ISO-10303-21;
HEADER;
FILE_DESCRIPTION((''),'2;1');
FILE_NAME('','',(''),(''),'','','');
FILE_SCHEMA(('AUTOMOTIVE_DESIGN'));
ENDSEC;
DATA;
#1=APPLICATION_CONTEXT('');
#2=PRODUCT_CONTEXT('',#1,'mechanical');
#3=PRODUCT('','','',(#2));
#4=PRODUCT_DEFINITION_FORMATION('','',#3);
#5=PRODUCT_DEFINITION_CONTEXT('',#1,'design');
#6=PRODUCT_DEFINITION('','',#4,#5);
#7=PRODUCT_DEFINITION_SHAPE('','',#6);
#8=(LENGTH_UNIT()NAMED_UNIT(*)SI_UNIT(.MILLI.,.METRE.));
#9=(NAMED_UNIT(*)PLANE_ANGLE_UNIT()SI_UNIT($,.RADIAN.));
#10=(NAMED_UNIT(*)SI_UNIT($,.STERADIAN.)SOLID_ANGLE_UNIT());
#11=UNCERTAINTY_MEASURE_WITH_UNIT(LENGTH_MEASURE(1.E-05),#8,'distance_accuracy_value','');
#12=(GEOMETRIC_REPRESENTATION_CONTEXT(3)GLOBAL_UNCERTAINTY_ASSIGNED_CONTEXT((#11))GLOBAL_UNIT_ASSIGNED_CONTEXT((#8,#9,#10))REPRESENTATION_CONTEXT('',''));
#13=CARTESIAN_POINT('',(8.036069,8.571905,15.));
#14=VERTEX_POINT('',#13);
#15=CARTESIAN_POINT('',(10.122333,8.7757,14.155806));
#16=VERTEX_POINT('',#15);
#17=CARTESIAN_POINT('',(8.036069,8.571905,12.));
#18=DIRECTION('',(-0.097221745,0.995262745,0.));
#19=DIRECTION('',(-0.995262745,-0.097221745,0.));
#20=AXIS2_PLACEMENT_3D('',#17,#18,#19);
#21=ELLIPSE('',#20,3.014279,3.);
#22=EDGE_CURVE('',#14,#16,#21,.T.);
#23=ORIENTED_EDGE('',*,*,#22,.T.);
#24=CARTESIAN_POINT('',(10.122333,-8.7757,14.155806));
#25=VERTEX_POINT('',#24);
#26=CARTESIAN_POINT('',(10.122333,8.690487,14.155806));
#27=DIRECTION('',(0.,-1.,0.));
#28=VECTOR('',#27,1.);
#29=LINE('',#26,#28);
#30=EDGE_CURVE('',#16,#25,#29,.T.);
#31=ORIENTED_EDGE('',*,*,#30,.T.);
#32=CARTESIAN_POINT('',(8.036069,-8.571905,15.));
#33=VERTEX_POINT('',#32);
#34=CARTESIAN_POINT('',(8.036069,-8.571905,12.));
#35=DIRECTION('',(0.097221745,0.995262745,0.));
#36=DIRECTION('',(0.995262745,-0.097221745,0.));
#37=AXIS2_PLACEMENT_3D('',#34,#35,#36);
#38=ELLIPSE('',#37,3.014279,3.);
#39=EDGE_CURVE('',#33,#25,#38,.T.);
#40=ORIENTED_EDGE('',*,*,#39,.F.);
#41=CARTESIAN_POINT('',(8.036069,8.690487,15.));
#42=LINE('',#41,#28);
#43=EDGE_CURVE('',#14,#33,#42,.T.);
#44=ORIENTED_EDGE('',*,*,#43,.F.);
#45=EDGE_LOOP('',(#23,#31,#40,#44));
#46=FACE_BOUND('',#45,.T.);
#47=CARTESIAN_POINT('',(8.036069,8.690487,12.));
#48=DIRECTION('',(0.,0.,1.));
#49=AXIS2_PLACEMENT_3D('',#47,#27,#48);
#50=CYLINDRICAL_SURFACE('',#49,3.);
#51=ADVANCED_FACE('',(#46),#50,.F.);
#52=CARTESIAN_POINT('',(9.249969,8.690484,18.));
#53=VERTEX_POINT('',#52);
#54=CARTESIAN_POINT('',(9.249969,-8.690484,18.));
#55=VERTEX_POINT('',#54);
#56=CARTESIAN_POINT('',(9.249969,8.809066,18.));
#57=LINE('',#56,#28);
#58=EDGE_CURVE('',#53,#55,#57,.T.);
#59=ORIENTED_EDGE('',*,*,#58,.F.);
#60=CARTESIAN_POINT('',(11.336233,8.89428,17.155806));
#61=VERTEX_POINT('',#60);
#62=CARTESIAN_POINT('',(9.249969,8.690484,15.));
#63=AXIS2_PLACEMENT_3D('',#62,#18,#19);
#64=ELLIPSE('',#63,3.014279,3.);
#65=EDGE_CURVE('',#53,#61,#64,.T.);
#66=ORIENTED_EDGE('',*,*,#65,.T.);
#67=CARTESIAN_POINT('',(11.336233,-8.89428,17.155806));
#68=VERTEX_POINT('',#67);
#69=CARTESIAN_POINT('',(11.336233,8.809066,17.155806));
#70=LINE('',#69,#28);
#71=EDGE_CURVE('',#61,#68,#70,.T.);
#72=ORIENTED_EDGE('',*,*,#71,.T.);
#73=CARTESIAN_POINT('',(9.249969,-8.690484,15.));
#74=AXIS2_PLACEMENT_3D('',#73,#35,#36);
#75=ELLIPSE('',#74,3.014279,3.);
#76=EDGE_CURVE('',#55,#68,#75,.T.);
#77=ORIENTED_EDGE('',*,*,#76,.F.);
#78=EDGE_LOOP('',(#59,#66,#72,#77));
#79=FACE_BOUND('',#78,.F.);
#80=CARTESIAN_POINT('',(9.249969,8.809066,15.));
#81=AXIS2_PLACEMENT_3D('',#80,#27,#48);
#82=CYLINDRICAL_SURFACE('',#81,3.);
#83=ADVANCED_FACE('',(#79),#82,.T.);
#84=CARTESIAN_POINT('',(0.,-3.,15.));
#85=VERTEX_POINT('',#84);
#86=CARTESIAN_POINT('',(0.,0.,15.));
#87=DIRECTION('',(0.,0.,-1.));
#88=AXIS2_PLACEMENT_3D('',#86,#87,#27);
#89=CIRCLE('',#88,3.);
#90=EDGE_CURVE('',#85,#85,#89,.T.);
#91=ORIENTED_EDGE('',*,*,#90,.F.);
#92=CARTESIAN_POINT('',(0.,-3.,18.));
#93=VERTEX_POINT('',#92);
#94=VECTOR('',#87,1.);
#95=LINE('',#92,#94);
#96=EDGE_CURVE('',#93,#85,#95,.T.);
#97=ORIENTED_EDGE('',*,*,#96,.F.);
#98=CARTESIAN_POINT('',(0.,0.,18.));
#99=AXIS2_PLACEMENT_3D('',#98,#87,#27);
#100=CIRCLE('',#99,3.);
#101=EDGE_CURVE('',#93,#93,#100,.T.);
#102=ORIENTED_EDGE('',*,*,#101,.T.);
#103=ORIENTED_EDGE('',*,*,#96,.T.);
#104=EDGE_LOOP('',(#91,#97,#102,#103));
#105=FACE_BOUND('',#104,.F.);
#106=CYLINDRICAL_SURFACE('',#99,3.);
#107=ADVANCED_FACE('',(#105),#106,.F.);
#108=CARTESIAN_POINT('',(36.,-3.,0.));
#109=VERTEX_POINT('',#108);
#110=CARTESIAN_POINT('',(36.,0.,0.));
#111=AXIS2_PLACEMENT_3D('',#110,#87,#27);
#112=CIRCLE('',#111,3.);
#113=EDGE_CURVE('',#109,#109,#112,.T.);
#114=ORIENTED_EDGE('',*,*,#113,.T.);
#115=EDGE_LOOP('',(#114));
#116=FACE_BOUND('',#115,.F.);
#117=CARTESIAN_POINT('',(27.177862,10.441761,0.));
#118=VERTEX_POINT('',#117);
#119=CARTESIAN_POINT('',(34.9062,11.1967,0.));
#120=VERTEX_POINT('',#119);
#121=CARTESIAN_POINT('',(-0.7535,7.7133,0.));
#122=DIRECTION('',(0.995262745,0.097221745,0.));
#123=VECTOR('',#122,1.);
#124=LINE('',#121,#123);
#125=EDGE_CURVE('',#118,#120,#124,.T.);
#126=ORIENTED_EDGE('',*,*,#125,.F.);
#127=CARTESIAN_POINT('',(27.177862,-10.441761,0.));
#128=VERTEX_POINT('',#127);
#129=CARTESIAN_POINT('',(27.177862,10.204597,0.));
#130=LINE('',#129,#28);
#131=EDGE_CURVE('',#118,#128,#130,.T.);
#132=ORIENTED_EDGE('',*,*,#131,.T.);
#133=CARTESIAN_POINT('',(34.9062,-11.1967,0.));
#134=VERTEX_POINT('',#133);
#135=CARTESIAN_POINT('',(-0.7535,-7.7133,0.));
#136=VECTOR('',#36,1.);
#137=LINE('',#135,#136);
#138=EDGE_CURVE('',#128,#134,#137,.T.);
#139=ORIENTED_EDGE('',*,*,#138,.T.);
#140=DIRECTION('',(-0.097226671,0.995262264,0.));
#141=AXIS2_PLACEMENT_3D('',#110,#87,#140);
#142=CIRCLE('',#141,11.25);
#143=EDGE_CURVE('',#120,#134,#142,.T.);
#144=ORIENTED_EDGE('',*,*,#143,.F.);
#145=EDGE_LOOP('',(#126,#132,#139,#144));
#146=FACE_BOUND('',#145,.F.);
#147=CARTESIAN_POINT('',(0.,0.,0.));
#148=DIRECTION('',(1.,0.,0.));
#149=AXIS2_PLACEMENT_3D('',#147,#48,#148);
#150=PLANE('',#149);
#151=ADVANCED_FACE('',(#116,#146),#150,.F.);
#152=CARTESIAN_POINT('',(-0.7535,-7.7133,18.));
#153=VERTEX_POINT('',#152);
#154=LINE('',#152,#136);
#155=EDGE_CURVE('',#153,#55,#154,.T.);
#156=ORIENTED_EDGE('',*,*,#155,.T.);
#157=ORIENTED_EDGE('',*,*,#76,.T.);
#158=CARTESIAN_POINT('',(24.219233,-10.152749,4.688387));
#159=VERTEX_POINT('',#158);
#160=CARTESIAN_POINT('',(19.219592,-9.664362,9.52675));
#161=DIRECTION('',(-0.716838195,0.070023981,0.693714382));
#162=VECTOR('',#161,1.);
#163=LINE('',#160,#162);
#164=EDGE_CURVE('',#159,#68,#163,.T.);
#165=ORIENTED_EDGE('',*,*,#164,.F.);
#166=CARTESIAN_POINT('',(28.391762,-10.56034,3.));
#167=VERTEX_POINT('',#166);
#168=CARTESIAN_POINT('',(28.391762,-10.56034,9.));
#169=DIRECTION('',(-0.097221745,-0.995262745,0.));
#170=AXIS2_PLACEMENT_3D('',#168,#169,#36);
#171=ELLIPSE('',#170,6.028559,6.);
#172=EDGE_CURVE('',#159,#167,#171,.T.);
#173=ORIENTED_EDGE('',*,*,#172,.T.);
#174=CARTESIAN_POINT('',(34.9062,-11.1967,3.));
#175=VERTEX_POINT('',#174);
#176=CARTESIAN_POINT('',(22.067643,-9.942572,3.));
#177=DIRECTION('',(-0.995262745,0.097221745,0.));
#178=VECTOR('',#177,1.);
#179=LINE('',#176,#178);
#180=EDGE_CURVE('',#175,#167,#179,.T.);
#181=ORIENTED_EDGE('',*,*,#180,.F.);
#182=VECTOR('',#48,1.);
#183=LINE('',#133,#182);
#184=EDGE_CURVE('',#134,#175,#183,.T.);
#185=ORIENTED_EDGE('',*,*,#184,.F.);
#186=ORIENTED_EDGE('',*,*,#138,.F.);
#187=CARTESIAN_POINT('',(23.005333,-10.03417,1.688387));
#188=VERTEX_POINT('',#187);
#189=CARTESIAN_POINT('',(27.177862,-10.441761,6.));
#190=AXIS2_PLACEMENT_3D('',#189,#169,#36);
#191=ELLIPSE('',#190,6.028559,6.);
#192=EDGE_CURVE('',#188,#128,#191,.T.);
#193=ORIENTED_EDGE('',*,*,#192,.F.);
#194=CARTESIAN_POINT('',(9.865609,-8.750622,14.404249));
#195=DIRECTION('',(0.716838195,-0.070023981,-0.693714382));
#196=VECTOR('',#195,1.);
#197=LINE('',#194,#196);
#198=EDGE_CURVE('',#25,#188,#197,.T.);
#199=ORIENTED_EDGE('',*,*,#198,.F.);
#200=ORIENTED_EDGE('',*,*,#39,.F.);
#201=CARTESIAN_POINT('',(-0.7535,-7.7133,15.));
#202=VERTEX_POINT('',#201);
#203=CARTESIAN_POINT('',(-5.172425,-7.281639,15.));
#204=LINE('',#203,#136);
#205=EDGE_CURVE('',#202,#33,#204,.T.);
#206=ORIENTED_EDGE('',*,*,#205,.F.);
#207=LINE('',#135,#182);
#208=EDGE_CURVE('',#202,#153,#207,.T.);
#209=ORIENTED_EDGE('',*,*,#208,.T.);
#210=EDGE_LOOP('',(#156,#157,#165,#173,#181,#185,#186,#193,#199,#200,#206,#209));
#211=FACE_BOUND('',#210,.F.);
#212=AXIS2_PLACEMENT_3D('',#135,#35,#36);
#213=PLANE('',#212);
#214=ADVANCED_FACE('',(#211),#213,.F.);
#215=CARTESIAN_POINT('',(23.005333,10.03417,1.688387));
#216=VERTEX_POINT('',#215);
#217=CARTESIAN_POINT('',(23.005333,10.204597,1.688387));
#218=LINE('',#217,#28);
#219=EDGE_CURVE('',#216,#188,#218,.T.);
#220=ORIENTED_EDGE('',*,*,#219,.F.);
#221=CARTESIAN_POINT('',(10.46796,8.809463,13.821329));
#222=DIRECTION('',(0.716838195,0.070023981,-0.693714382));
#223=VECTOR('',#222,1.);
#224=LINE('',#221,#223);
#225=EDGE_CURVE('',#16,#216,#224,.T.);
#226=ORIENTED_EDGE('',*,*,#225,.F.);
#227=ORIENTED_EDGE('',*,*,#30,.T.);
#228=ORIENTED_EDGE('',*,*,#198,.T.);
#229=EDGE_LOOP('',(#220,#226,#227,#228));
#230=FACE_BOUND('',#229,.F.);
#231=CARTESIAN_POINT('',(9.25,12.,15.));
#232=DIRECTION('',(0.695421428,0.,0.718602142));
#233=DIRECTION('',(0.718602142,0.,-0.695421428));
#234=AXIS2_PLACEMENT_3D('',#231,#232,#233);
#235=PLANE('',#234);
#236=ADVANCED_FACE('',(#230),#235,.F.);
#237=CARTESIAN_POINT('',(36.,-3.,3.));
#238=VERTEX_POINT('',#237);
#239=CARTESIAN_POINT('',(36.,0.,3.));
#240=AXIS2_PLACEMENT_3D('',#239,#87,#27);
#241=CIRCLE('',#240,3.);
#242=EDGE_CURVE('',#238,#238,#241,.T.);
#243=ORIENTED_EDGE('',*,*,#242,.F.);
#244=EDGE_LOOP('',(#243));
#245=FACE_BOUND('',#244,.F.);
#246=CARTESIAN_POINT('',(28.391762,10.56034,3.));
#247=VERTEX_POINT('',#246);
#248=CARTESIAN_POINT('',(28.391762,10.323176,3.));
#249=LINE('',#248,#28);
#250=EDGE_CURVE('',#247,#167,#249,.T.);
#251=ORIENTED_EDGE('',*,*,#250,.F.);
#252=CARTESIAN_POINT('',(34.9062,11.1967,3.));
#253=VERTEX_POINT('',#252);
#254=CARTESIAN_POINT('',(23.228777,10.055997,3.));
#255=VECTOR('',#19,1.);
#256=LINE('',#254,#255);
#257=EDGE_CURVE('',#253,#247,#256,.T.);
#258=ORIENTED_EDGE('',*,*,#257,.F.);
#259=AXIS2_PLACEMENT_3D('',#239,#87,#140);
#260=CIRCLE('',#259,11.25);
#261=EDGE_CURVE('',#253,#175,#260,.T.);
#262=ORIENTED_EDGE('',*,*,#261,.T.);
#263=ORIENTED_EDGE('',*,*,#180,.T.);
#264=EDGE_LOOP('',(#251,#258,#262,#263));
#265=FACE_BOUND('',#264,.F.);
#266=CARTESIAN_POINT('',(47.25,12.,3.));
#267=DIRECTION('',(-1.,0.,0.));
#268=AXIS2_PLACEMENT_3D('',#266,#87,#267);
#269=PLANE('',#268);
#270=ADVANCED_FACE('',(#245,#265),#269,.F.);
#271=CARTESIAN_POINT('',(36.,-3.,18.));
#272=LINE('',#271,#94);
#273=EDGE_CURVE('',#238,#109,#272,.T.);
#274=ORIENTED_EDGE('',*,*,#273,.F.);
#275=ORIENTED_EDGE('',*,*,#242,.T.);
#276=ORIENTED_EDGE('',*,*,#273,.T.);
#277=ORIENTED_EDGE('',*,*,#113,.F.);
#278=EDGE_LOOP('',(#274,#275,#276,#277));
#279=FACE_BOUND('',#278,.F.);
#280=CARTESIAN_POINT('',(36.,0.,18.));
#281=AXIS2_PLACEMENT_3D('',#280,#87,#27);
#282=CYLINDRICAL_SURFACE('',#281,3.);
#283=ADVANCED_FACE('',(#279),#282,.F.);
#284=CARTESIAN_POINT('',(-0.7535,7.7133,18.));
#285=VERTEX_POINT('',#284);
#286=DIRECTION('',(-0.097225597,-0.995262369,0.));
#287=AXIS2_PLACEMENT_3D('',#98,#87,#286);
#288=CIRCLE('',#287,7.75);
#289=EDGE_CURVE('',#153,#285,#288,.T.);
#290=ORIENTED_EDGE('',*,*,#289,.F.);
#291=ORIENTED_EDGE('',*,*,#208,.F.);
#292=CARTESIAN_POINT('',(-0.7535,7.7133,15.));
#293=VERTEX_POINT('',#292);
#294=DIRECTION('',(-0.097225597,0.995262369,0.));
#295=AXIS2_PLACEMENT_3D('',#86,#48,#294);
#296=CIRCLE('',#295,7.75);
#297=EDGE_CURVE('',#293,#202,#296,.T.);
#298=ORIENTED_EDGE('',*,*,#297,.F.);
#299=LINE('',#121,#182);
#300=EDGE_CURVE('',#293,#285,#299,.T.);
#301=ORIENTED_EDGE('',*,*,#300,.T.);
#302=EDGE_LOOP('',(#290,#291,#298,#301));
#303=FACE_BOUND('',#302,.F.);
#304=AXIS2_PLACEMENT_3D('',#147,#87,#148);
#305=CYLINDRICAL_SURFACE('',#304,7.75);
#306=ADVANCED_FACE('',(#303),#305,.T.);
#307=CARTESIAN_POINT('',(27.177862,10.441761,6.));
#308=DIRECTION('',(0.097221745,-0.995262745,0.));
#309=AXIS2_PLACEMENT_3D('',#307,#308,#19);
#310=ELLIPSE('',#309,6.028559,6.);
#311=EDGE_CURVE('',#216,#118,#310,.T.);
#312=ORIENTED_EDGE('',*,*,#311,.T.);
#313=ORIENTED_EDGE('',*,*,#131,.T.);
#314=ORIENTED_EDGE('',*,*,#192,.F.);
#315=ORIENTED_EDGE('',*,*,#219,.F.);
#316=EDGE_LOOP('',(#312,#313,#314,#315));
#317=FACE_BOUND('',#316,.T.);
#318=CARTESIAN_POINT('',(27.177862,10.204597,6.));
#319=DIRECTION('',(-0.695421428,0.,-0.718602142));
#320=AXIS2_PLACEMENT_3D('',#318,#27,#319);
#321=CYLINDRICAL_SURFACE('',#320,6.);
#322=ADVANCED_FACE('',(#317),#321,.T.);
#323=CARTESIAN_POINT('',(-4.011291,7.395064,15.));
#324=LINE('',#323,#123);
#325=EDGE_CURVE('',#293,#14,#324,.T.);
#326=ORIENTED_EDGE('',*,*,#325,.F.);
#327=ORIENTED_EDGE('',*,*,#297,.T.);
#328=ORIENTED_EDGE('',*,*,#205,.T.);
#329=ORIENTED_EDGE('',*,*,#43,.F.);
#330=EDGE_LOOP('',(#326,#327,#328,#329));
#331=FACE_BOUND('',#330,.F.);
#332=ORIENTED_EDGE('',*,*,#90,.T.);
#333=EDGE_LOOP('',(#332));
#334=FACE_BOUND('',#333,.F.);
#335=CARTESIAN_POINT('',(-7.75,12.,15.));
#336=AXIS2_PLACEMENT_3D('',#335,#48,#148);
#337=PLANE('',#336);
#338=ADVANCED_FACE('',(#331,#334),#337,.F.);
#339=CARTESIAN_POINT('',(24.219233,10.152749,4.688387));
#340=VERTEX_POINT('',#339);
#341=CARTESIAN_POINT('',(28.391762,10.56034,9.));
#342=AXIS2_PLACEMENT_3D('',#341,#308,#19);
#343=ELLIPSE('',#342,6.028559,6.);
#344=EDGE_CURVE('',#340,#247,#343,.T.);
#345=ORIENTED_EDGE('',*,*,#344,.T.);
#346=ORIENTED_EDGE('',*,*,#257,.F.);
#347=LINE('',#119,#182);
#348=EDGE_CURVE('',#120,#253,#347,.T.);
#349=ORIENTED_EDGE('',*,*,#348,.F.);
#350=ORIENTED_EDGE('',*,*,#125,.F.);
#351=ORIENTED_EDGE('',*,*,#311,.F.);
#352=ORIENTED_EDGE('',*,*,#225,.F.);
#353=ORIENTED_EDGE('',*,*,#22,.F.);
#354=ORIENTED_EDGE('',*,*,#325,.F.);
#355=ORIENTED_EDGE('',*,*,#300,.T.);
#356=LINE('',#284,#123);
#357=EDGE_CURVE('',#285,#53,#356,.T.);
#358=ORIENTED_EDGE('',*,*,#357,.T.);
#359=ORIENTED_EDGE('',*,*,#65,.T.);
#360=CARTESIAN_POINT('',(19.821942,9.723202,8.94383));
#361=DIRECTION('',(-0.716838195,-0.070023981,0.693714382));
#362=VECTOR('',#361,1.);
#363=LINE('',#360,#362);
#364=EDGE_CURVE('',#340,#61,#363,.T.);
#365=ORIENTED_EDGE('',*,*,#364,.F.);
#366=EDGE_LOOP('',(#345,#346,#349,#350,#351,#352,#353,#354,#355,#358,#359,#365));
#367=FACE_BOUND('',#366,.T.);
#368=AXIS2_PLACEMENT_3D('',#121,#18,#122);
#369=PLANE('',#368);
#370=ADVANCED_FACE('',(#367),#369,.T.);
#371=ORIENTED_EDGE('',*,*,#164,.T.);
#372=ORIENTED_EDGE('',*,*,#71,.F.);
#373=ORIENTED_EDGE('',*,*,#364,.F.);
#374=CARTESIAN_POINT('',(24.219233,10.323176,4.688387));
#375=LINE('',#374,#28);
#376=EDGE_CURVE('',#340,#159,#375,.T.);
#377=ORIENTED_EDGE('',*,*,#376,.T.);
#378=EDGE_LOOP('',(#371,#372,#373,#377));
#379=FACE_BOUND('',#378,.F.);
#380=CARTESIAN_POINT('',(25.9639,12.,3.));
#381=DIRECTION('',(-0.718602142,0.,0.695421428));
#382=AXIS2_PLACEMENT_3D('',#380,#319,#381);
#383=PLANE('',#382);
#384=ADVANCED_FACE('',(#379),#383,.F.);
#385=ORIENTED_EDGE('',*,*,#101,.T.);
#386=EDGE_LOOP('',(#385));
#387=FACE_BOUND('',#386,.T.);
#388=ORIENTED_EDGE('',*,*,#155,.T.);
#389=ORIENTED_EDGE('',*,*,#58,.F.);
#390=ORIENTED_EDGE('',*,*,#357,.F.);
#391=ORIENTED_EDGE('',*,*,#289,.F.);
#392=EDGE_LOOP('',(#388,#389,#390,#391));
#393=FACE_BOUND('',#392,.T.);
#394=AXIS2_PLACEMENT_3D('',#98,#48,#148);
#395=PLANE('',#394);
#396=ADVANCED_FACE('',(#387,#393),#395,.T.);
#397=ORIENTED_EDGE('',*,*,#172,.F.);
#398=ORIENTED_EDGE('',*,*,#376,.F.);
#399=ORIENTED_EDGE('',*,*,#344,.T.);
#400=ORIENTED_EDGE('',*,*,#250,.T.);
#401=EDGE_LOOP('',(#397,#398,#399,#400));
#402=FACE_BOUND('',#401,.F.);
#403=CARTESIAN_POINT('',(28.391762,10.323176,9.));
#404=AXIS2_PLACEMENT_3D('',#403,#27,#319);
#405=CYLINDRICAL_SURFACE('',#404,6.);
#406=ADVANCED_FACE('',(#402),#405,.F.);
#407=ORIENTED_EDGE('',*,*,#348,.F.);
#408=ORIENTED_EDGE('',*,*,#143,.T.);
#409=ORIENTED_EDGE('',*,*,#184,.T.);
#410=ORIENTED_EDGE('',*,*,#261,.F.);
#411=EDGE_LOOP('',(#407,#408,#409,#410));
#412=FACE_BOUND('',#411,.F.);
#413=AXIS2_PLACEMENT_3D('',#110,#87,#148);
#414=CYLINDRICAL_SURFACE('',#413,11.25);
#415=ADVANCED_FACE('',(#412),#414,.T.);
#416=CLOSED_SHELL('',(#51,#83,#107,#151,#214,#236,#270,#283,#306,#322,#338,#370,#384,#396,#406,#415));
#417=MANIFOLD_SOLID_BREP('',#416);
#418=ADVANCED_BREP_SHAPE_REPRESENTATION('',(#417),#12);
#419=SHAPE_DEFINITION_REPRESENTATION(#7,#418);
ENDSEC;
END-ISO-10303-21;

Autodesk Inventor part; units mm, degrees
ref_plane "YZ Plane" through (0, 0, 0) normal (1, 0, 0) x (0, 1, 0)
ref_plane "XY Plane" through (0, 0, 0) normal (0, 0, 1) x (1, 0, 0)
sketch "Body" plane through (0, 0, 0) normal (0, 0, 1) x (1, 0, 0)
  circle A0 centre (0, 0) radius 7.75
  line L0 (0, 0) -> (36, 0) construction
  circle A1 centre (36, 0) radius 11.25
  line L1 (-0.7535, 7.7133) -> (34.9062, 11.1967)
  line L2 (-0.7535, -7.7133) -> (34.9062, -11.1967)
  dimension "SmallDiameter" = 15.5
  dimension "d1" = 36
  dimension "LargeDiameter" = 22.5
extrude "BodyFeature" add sketch "Body" along normal blind 18
sketch "Sketch2" plane through (0, 0, 18) normal (0, 0, 1) x (1, 0, 0)
  arc A0 (-0.7535, 7.7133) -> (-0.7535, -7.7133) centre (0, 0) ccw construction
  line L0 (-0.7535, -7.7133) -> (34.9062, -11.1967) construction
  arc A1 (34.9062, -11.1967) -> (34.9062, 11.1967) centre (36, 0) ccw construction
  line L1 (34.9062, 11.1967) -> (-0.7535, 7.7133) construction
hole "BodyHolesFeature" at (0, 0, 18) at (36, 0, 18) direction (0, 0, -1) diameter 6 end through all
ref_plane "SideProfilePlane" through (0, 12, 0) normal (0, 1, 0) x (-1, 0, 0)
sketch "SideProfile" plane through (0, 12, 0) normal (0, 1, 0) x (-1, 0, 0)
  line L0 (7.75, 18) -> (0.7535, 18) construction
  line L1 (7.75, 18) -> (7.75, 15)
  line L2 (7.75, 15) -> (-9.25, 15)
  line L3 (-9.25, 15) -> (-24.75, 0)
  line L4 (-24.75, 0) -> (-47.25, 0)
  line L5 (-34.9062, 0) -> (0.7535, 0) construction
  line L6 (-47.25, 0) -> (-47.25, 18) construction
  line L7 (-34.9062, 18) -> (-47.25, 18) construction
  line L8 (-34.9062, 18) -> (0.7535, 18) construction
  line L9 (-25.9639, 3) -> (-10.4639, 18)
  line L10 (-47.25, 3) -> (-25.9639, 3)
  line L11 (-47.25, 0) -> (-47.25, 3)
  line L12 (7.75, 18) -> (-10.4639, 18)
  dimension "Thickness" = 3
  dimension "d15" = 3
  dimension "d16" = 3
  dimension "d17" = 17
  dimension "d18" = 22.5
extrude "SideProfileFeature" cut sketch "SideProfile" against normal through all keep common part
fillet "SmallFilletFeature" radius 3 2 edges at (9.25, 0, 15) (10.4639, 0, 18)
fillet "LargeFilletFeature" radius 6 2 edges at (24.75, 0, 0) (25.9639, 0, 3)
equation "\"d15\" = Thickness"
equation "\"d16\" = Thickness"
equation "\"d18\" = LargeDiameter"
properties part number "BackConnector"
